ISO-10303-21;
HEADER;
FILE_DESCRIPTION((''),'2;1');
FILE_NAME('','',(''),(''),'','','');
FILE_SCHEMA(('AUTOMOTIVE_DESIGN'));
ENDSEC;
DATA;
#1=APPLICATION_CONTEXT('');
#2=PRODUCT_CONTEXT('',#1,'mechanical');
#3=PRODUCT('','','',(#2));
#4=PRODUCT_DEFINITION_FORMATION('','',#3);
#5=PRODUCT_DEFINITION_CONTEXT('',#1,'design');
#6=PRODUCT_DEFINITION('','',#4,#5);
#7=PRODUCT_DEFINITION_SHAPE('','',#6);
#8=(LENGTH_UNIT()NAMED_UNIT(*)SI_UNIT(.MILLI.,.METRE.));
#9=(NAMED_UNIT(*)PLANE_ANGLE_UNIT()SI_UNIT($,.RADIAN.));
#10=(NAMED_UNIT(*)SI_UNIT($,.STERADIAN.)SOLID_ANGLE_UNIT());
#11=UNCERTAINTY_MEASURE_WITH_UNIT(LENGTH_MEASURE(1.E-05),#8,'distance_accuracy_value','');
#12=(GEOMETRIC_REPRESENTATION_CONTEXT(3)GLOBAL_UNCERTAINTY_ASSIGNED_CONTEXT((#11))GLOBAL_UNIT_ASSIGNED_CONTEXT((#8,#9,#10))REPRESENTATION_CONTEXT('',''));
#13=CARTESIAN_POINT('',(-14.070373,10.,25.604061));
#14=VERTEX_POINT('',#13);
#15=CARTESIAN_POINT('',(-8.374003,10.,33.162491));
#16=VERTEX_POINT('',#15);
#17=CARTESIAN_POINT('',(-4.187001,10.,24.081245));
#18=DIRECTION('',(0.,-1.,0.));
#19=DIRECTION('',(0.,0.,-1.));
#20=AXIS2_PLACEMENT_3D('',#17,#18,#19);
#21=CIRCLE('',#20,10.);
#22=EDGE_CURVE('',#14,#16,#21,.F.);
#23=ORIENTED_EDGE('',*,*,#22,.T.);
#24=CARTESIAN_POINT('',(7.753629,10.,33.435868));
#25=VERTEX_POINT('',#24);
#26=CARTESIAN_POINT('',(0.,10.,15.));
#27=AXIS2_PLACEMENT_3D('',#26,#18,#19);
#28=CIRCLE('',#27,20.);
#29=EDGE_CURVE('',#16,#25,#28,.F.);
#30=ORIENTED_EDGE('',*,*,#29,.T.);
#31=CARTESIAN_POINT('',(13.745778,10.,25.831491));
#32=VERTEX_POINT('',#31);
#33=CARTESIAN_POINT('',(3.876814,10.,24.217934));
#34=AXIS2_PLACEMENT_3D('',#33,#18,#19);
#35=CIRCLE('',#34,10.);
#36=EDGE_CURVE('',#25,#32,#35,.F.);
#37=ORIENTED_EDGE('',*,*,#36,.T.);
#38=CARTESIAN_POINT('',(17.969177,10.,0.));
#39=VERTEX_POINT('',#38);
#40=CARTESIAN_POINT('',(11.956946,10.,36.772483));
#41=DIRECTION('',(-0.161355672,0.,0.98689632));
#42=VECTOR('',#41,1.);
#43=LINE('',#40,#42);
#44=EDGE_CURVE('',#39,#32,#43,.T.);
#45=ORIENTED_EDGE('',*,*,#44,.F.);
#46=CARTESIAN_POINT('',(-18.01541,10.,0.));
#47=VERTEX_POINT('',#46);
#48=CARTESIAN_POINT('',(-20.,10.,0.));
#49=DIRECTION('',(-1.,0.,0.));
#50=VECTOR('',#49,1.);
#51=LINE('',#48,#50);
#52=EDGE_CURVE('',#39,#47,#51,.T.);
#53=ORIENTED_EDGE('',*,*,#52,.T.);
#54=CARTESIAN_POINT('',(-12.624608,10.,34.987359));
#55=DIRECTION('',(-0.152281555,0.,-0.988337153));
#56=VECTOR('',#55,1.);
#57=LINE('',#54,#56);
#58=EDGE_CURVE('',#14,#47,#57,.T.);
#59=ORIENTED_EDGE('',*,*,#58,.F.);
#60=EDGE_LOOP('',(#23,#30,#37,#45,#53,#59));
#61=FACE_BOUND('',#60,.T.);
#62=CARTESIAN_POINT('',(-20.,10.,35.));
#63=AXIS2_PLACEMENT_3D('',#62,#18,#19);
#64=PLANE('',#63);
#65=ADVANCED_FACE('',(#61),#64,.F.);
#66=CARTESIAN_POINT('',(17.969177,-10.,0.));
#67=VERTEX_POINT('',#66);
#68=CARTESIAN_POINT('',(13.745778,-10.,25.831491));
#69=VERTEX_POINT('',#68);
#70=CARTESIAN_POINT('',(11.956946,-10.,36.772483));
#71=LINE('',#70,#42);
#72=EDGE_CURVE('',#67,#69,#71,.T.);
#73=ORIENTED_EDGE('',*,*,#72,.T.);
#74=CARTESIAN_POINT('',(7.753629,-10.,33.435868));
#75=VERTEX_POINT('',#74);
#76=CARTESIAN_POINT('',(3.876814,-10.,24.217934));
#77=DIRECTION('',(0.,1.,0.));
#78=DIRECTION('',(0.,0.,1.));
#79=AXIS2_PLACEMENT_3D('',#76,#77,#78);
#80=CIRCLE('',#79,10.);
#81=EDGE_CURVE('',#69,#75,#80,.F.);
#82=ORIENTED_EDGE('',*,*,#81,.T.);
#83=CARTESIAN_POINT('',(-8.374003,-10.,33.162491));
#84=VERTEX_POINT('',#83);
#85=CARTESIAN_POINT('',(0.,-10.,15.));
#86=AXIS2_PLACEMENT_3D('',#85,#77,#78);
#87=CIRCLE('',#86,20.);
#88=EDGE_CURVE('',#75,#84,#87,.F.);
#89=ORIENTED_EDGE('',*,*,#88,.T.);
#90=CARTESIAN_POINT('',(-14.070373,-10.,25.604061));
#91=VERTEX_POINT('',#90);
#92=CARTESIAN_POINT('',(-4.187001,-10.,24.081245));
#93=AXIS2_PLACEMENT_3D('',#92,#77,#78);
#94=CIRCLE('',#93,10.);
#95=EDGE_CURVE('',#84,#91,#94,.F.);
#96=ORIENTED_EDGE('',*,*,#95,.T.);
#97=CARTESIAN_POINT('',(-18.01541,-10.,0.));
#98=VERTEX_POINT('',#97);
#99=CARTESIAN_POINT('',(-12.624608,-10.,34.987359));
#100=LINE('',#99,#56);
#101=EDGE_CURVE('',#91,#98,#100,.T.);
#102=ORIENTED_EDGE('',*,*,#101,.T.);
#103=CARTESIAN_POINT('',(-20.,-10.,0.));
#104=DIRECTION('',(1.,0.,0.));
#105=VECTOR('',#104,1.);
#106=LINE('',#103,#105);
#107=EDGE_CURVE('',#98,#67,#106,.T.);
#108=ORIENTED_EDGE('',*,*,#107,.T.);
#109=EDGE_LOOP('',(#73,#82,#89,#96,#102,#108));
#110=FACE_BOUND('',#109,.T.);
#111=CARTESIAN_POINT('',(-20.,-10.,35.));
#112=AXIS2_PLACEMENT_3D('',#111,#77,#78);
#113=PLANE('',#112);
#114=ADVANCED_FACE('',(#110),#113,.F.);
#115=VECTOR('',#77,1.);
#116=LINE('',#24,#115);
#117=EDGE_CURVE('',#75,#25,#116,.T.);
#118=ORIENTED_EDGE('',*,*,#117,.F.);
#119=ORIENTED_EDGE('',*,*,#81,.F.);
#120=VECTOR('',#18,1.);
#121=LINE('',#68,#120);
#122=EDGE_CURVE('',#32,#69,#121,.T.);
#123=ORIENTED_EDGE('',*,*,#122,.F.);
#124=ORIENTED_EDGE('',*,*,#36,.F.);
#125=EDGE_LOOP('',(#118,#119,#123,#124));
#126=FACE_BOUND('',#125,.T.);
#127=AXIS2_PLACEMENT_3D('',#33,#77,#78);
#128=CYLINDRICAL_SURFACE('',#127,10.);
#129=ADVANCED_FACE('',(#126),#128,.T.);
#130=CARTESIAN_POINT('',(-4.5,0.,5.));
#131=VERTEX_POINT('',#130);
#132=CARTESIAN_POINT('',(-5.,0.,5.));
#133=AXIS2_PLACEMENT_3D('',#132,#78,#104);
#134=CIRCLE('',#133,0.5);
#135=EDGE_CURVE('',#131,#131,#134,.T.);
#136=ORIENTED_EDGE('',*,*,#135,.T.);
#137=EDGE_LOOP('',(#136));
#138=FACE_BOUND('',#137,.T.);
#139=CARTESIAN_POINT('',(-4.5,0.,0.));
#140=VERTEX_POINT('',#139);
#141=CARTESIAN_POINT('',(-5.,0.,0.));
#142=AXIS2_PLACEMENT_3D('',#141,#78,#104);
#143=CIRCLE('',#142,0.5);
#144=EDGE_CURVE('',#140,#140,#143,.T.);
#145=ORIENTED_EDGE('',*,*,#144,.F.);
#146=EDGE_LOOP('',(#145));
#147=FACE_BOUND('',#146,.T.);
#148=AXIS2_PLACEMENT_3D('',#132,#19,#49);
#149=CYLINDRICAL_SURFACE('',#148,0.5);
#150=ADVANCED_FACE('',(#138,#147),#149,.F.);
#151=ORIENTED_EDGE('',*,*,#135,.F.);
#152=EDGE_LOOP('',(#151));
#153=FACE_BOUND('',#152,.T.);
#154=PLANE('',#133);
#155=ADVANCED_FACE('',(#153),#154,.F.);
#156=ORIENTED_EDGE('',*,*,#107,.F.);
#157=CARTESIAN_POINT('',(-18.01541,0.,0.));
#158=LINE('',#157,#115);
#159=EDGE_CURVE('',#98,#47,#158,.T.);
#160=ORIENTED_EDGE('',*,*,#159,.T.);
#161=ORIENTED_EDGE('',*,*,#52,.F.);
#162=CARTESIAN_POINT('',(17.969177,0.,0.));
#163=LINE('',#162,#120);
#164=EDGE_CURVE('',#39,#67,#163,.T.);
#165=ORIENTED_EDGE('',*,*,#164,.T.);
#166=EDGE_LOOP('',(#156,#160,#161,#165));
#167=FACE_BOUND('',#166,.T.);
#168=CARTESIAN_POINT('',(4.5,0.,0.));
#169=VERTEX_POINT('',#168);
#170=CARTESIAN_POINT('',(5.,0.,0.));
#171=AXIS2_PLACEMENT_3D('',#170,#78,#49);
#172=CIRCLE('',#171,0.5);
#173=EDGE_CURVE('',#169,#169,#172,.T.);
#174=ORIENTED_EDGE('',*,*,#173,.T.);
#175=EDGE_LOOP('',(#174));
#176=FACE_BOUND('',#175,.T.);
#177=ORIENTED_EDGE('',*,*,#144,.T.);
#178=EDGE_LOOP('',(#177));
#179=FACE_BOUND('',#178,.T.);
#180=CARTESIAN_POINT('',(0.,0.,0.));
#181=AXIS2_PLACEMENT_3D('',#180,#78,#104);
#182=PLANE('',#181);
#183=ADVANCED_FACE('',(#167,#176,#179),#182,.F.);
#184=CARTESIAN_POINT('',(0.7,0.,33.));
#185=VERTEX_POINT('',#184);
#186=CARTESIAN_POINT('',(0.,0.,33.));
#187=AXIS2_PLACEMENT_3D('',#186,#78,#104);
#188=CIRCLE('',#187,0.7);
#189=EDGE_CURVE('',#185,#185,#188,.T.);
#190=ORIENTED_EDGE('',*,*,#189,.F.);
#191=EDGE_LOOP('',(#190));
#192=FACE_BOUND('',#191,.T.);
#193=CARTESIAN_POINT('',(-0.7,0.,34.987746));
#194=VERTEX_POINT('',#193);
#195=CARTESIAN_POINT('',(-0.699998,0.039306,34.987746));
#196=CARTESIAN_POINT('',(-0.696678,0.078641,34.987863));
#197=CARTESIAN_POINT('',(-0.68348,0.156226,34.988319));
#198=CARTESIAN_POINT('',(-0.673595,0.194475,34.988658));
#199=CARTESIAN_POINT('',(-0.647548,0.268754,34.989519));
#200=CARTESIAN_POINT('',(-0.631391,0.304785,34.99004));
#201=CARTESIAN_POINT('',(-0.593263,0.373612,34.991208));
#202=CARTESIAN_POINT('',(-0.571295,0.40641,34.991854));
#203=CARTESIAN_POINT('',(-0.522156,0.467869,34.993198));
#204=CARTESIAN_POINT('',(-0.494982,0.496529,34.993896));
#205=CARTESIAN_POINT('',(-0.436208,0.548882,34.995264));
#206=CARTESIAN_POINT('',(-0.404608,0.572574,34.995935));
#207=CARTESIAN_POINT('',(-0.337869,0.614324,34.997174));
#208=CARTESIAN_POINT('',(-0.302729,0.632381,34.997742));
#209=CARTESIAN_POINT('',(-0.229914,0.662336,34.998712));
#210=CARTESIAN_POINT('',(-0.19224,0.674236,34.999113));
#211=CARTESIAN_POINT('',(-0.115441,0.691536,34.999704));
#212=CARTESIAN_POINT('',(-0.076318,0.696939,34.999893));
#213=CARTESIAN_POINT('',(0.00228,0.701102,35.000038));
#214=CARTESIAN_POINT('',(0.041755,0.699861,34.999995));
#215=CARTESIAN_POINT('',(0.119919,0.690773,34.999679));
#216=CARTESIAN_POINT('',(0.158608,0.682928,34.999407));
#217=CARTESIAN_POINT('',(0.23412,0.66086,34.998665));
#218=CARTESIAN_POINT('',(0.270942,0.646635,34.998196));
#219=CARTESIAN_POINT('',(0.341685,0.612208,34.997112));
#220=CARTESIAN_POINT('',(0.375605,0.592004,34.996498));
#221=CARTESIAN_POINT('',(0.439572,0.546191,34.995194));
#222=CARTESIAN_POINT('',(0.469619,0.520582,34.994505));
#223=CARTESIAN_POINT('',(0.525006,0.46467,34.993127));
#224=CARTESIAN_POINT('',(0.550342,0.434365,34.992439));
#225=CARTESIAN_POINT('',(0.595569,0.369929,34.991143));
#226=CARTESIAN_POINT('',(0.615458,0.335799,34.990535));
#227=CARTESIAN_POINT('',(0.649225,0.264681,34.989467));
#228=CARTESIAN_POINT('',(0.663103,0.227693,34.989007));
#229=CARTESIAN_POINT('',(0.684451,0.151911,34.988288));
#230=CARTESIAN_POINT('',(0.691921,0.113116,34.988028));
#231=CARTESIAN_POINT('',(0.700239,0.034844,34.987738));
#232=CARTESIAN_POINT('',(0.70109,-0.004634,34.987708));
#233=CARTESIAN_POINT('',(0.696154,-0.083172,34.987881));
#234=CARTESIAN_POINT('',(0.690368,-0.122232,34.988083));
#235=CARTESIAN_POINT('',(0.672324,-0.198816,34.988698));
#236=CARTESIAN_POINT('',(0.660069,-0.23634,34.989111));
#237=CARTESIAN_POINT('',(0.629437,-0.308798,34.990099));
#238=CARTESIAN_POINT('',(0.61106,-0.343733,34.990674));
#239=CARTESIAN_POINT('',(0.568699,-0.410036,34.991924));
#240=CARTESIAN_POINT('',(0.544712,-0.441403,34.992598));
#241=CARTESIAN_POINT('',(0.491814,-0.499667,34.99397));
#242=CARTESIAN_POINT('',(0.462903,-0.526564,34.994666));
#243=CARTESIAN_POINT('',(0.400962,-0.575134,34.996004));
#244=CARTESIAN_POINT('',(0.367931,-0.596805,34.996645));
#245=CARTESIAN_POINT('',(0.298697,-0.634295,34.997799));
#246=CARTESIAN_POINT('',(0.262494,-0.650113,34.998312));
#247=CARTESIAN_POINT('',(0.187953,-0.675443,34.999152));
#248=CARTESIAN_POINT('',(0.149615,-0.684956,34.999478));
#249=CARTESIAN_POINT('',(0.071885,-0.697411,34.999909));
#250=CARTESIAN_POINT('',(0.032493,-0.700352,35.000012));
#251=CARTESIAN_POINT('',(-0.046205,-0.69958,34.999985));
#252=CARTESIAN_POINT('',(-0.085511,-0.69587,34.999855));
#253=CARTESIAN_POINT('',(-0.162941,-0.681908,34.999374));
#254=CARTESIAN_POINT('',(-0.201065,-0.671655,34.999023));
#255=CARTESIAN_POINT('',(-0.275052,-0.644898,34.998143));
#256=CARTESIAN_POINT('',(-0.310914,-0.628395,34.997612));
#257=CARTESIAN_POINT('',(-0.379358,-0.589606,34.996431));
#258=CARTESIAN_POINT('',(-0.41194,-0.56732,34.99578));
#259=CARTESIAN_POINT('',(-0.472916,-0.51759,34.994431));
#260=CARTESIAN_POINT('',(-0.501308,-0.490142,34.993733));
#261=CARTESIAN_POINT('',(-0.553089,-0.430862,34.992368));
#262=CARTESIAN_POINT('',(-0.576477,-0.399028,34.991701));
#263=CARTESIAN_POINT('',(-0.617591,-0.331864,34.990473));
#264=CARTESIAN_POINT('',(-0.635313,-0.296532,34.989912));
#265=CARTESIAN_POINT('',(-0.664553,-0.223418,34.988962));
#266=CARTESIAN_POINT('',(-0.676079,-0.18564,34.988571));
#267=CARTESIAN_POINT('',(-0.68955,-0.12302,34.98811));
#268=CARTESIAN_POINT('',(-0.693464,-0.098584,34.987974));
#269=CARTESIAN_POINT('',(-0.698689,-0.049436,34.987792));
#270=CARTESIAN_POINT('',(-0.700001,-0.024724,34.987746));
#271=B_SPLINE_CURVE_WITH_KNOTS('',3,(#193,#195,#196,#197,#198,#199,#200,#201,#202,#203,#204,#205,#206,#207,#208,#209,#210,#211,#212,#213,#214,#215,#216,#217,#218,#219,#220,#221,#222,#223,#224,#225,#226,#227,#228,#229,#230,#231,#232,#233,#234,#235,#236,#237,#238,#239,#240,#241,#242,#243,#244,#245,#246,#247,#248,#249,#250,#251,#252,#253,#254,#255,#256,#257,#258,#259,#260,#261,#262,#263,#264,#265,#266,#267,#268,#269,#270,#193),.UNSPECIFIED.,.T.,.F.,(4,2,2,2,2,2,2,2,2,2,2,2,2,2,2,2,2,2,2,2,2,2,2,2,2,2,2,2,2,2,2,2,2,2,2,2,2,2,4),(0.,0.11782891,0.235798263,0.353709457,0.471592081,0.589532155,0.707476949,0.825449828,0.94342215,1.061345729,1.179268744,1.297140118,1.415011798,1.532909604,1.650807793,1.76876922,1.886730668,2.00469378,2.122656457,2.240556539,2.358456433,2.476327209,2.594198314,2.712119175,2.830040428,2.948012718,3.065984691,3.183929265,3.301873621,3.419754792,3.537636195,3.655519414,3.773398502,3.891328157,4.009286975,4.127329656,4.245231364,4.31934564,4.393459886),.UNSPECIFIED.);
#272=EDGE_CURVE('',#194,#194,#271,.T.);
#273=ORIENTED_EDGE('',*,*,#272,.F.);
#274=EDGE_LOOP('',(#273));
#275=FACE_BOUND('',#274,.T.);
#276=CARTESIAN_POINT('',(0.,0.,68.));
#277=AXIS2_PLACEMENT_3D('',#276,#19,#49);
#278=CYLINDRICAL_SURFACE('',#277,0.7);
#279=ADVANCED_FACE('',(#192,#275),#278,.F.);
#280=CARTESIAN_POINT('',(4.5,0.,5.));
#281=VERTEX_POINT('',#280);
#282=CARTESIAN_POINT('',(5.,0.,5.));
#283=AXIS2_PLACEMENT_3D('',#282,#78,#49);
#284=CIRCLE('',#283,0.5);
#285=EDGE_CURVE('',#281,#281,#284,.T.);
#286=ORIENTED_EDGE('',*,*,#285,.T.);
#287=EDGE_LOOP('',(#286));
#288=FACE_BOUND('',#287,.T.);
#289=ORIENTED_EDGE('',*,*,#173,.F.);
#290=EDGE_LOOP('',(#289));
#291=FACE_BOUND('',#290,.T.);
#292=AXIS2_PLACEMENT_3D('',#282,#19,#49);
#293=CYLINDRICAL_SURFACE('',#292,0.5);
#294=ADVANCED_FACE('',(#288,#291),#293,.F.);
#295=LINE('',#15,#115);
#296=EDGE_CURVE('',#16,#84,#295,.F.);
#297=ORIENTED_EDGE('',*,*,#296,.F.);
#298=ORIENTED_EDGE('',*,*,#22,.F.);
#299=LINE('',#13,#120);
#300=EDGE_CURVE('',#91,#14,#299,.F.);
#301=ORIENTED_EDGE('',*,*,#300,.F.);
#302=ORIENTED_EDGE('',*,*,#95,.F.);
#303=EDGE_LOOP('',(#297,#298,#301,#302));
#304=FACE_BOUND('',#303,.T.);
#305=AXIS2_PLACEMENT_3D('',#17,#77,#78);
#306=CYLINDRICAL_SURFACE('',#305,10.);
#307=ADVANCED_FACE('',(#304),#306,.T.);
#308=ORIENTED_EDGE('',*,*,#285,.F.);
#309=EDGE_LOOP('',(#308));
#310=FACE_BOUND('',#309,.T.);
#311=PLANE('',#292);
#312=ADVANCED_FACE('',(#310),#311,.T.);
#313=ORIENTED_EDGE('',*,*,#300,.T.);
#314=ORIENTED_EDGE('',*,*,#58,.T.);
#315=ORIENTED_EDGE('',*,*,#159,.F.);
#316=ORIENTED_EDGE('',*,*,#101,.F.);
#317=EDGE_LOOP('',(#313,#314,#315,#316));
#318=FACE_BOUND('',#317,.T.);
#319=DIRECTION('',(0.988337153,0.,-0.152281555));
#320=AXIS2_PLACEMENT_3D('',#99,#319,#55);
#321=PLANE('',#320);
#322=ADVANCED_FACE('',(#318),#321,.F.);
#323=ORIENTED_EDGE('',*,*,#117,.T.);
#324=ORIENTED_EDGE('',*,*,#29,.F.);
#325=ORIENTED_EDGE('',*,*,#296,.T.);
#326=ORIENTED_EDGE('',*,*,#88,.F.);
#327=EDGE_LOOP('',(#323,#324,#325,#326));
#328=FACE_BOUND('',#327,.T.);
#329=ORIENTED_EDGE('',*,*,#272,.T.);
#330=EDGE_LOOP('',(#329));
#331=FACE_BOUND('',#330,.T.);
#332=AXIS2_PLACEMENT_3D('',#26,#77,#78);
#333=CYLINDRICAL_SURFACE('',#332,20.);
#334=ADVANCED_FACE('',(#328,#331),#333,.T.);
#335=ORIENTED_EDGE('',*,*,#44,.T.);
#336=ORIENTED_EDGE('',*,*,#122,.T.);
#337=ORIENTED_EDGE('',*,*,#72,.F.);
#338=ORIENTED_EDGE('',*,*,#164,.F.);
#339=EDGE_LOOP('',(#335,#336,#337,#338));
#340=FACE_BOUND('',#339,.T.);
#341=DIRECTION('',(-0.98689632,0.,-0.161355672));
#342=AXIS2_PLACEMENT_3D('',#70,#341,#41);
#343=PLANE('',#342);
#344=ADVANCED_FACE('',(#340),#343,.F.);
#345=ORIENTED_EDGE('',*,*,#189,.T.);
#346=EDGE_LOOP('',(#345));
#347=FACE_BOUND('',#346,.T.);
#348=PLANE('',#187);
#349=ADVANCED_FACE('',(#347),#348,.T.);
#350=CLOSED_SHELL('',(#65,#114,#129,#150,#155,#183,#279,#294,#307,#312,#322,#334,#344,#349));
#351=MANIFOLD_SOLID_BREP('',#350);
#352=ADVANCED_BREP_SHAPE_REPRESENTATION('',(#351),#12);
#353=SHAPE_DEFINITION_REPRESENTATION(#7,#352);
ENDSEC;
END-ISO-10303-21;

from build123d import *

# Parameters (mm, degrees)
SKETCH1_W               = 40
SKETCH1_H               = 20
BOSS_EXTRUDE1_DEPTH     = 35
FILLET1_RADIUS          = 20
FILLET1_LENGTH          = 20
CUT_EXTRUDE1_DEPTH      = 42.533119315
CUT_EXTRUDE1_DEPTH_BACK = 42.533119315
CUT_EXTRUDE2_DEPTH      = 42.533119315
CUT_EXTRUDE2_DEPTH_BACK = 42.533119315
FILLET2_R               = 10
FILLET3_R               = 10
SKETCH7_R               = 0.7
CUT_EXTRUDE3_DEPTH      = 35
SKETCH10_R              = 0.5
CUT_EXTRUDE4_DEPTH      = 5


with BuildPart() as part:
    # Sketch1 → Boss-Extrude1 (new body)
    with BuildSketch(Plane.XY):
        Rectangle(SKETCH1_W, SKETCH1_H)
    extrude(amount=BOSS_EXTRUDE1_DEPTH)

    # Fillet1: full round fillet: the end face becomes a half cylinder, R = half its width
    fillet1_face = Plane((0, 0, 35), x_dir=(0, -1, 0), z_dir=(0, 0, 1))  # on the end face: x along it, z out of the body
    fillet1_slab = fillet1_face.offset(-FILLET1_RADIUS / 2) * Box(FILLET1_LENGTH, 2 * FILLET1_RADIUS, FILLET1_RADIUS, mode=Mode.PRIVATE)  # the body's end, R deep
    fillet1_round = Plane((0, 0, 15), x_dir=(0, 0, 1), z_dir=(0, -1, 0)) * Cylinder(FILLET1_RADIUS, FILLET1_LENGTH, mode=Mode.PRIVATE)  # its axis R under the face
    add(fillet1_slab - fillet1_round, mode=Mode.SUBTRACT)

    # Sketch3 → Cut-Extrude1 (cut, two sides: drawn at the far end of the back side and taken through both)
    with BuildSketch(Plane(origin=(0, 0, 0), x_dir=(1, 0, 0), z_dir=(0, 1, 0)).offset(-CUT_EXTRUDE1_DEPTH_BACK)):
        Polygon((-12.624608069, -34.987358945), (-18.720278541, 4.574737646), (-30.971557894, -1.916976114), (-24.875887422, -41.479072706), align=None)
    extrude(amount=CUT_EXTRUDE1_DEPTH + CUT_EXTRUDE1_DEPTH_BACK, mode=Mode.SUBTRACT)

    # Sketch4 → Cut-Extrude2 (cut, two sides: drawn at the far end of the back side and taken through both)
    with BuildSketch(Plane(origin=(0, 0, 0), x_dir=(1, 0, 0), z_dir=(0, 1, 0)).offset(-CUT_EXTRUDE2_DEPTH_BACK)):
        Polygon((11.956946172, -36.772482669), (19.210484507, 7.59218203), (33.970591583, -6.999238108), (26.717053249, -51.363902807), align=None)
    extrude(amount=CUT_EXTRUDE2_DEPTH + CUT_EXTRUDE2_DEPTH_BACK, mode=Mode.SUBTRACT)

    # Fillet2
    fillet2_edges = [part.edges().sort_by_distance(p)[0] for p in [
        (13.036926478, 0, 30.167021725),
    ]]
    fillet(fillet2_edges, radius=FILLET2_R)

    # Fillet3
    fillet3_edges = [part.edges().sort_by_distance(p)[0] for p in [
        (-13.419277094, 0, 29.829801154),
    ]]
    fillet(fillet3_edges, radius=FILLET3_R)

    # Sketch7 → Cut-Extrude3 (cut)
    with BuildSketch(Plane.XY.offset(33)):
        with Locations(Location((0, 0, 0), (0, 0, 180))):
            Circle(SKETCH7_R)
    extrude(amount=CUT_EXTRUDE3_DEPTH, mode=Mode.SUBTRACT)

    # Sketch10 → Cut-Extrude4 (cut)
    with BuildSketch(Plane.XY):
        with Locations((-5, 0)):
            Circle(SKETCH10_R)
        with Locations(Location((5, 0, 0), (0, 0, 180))):
            Circle(SKETCH10_R)
    extrude(amount=CUT_EXTRUDE4_DEPTH, mode=Mode.SUBTRACT)


solid = part.part
